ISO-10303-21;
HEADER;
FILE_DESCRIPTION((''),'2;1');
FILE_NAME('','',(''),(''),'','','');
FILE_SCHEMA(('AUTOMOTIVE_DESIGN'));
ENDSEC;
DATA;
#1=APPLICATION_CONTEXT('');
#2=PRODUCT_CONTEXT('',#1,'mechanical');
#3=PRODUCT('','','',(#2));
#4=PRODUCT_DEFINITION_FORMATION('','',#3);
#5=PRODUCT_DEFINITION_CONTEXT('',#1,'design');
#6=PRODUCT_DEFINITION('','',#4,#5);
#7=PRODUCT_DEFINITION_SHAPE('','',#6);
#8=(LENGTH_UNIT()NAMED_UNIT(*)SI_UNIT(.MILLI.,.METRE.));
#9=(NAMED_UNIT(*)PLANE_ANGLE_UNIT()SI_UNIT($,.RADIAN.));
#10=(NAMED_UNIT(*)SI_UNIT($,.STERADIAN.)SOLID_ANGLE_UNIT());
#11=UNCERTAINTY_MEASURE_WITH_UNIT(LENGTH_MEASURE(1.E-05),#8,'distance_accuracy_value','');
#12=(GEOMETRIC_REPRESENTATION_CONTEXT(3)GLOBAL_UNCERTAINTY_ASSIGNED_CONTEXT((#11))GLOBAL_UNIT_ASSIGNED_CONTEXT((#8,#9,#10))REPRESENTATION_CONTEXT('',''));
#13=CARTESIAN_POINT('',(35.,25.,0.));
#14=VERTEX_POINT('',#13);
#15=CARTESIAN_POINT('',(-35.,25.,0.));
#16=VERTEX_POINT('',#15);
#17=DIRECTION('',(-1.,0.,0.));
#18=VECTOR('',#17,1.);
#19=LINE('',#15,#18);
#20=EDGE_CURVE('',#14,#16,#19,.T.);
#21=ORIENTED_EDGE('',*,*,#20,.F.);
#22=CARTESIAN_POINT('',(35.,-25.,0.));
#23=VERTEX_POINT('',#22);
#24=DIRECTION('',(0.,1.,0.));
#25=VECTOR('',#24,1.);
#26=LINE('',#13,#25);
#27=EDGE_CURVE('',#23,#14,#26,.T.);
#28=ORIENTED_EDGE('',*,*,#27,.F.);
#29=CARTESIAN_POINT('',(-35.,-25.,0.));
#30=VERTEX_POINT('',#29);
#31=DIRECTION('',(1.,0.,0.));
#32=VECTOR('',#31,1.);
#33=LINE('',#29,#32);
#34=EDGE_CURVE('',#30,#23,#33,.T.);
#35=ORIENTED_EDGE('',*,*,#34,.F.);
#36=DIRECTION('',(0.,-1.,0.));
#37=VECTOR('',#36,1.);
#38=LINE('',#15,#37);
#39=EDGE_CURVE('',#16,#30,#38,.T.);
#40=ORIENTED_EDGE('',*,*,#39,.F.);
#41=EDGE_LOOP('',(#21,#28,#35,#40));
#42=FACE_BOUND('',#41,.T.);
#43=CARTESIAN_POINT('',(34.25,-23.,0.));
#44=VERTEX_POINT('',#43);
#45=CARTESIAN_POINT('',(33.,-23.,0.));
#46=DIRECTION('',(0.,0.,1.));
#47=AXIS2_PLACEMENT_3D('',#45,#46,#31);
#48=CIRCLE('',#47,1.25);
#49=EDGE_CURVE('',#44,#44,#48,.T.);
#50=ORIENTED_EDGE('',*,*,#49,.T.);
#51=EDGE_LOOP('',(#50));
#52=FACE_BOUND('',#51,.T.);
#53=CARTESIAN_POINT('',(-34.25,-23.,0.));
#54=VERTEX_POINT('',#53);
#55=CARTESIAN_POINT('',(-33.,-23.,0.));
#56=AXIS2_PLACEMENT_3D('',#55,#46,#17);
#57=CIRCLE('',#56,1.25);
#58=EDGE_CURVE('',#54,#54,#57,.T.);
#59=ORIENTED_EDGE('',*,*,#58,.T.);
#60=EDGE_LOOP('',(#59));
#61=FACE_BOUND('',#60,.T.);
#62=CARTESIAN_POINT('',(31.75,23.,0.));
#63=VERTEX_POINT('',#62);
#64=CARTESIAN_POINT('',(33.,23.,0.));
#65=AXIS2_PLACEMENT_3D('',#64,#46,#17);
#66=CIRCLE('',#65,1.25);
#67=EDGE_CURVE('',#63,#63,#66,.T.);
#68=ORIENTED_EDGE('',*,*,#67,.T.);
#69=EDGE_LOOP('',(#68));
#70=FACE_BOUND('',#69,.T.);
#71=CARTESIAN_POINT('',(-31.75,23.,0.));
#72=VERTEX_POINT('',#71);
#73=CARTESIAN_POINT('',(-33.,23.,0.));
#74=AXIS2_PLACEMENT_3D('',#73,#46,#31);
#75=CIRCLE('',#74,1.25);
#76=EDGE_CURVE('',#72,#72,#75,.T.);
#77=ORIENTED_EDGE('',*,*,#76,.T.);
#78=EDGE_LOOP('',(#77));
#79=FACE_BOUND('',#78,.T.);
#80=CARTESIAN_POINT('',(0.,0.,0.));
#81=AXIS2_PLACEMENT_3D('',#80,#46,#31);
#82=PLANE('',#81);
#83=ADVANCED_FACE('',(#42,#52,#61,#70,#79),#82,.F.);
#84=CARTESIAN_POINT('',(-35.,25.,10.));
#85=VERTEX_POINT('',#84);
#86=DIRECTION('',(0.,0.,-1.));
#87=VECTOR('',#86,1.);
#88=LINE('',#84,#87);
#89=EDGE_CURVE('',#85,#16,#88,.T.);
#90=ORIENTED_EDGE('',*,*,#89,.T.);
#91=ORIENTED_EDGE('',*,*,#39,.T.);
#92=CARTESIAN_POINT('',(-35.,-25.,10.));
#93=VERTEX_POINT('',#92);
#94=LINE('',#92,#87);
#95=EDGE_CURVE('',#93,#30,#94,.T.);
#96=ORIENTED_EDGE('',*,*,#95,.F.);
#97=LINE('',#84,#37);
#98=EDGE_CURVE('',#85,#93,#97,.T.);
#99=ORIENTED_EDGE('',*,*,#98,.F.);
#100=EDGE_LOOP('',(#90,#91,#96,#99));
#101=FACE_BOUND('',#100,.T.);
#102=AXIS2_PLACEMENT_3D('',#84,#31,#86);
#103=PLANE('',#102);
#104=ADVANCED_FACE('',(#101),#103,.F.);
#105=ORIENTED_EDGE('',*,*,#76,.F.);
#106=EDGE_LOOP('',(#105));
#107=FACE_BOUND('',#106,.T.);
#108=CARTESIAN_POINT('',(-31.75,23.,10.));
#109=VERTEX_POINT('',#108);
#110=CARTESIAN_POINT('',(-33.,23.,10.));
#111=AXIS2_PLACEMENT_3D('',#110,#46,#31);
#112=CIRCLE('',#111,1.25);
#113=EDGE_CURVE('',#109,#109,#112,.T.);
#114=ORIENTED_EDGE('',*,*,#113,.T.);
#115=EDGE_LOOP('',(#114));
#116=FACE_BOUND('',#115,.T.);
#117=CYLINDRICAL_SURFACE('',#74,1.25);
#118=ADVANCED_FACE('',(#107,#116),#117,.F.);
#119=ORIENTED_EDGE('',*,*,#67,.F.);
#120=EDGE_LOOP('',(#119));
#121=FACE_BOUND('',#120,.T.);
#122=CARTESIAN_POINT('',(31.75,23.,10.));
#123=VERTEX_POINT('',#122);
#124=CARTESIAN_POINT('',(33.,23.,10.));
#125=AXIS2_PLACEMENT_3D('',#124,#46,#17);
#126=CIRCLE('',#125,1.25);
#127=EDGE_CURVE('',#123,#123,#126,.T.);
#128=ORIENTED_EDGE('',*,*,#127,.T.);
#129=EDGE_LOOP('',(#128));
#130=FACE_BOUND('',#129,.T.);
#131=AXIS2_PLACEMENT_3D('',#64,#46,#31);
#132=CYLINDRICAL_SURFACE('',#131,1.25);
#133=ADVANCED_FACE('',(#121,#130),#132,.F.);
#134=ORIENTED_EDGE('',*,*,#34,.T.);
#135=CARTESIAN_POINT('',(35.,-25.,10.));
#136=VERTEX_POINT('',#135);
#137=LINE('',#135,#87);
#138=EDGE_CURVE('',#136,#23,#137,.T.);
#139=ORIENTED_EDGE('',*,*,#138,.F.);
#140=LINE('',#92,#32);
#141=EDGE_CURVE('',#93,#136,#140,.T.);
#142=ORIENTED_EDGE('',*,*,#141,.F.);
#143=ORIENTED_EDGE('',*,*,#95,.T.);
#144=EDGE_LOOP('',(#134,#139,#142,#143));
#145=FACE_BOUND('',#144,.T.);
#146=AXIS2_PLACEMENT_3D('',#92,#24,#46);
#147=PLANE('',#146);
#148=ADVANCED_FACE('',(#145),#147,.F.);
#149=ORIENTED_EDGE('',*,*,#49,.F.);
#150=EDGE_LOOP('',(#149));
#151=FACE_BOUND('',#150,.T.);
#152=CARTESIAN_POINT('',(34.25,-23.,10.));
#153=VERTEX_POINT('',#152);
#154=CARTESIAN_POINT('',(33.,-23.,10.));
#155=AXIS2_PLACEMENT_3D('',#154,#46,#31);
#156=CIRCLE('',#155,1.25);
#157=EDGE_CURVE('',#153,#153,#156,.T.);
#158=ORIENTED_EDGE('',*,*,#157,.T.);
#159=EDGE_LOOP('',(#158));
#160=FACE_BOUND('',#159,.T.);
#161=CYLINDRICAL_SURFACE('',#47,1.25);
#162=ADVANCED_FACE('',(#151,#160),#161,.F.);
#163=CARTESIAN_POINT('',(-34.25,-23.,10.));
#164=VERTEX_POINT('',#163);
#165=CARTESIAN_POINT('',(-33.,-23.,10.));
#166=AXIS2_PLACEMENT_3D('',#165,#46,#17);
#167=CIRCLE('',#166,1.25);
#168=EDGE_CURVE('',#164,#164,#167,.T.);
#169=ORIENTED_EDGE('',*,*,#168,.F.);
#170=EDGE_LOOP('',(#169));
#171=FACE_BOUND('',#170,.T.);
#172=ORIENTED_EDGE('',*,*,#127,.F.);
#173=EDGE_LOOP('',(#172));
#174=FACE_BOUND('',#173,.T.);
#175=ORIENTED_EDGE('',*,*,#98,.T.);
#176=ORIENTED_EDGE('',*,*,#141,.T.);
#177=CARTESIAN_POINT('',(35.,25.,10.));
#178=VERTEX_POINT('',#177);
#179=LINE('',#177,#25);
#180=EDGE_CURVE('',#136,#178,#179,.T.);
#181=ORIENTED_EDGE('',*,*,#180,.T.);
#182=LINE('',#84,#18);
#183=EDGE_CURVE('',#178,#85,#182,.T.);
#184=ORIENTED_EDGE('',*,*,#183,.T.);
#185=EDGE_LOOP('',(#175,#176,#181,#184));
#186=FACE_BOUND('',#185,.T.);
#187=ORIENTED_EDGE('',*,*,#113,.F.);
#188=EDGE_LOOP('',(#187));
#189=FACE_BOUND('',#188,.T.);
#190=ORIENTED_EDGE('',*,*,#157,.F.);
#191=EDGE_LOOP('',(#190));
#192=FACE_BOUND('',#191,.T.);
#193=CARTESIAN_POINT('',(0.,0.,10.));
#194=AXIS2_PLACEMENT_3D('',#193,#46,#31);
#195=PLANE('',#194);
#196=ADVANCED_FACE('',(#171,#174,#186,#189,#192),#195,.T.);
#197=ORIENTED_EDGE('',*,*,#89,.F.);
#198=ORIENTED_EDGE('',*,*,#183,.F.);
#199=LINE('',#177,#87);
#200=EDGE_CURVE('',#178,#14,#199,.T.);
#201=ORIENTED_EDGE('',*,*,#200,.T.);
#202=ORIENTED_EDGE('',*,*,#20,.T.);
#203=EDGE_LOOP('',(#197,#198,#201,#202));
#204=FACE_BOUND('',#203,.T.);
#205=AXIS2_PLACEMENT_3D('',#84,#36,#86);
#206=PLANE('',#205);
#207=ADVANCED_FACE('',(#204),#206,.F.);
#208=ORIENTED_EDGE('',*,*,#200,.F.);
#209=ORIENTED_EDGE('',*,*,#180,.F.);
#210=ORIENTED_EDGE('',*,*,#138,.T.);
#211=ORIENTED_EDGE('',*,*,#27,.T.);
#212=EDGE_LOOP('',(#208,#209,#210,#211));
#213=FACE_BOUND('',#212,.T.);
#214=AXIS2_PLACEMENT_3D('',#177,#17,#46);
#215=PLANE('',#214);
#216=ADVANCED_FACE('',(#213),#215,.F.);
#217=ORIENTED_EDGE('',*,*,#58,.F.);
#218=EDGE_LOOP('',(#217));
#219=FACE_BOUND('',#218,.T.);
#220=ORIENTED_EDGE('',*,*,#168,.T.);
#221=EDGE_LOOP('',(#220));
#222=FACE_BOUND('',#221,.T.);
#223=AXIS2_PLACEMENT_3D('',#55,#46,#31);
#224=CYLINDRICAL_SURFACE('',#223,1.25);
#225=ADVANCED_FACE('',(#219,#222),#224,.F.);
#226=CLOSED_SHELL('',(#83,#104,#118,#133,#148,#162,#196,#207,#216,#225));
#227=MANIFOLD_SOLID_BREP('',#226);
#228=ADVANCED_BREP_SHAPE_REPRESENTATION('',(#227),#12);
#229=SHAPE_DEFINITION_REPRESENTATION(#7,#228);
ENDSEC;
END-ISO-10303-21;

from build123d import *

# Parameters (mm, degrees)
SCHIZZO1_W                   = 70
SCHIZZO1_H                   = 50
ESTRUSIONE_ESTRUSIONE1_DEPTH = 10
SCHIZZO2_R                   = 1.25
TAGLIO_ESTRUSIONE1_DEPTH     = 11


with BuildPart() as part:
    # Schizzo1 → Estrusione-Estrusione1 (new body)
    with BuildSketch(Plane.XY):
        Rectangle(SCHIZZO1_W, SCHIZZO1_H)
    extrude(amount=ESTRUSIONE_ESTRUSIONE1_DEPTH)

    # Schizzo2 → Taglio-Estrusione1 (cut, through all)
    with BuildSketch(Plane.XY.offset(10)):
        with Locations((-33, 23)):
            Circle(SCHIZZO2_R)
        with Locations((33, 23)):
            Circle(SCHIZZO2_R)
        with Locations((33, -23)):
            Circle(SCHIZZO2_R)
        with Locations((-33, -23)):
            Circle(SCHIZZO2_R)
    extrude(amount=-TAGLIO_ESTRUSIONE1_DEPTH, mode=Mode.SUBTRACT)


solid = part.part
